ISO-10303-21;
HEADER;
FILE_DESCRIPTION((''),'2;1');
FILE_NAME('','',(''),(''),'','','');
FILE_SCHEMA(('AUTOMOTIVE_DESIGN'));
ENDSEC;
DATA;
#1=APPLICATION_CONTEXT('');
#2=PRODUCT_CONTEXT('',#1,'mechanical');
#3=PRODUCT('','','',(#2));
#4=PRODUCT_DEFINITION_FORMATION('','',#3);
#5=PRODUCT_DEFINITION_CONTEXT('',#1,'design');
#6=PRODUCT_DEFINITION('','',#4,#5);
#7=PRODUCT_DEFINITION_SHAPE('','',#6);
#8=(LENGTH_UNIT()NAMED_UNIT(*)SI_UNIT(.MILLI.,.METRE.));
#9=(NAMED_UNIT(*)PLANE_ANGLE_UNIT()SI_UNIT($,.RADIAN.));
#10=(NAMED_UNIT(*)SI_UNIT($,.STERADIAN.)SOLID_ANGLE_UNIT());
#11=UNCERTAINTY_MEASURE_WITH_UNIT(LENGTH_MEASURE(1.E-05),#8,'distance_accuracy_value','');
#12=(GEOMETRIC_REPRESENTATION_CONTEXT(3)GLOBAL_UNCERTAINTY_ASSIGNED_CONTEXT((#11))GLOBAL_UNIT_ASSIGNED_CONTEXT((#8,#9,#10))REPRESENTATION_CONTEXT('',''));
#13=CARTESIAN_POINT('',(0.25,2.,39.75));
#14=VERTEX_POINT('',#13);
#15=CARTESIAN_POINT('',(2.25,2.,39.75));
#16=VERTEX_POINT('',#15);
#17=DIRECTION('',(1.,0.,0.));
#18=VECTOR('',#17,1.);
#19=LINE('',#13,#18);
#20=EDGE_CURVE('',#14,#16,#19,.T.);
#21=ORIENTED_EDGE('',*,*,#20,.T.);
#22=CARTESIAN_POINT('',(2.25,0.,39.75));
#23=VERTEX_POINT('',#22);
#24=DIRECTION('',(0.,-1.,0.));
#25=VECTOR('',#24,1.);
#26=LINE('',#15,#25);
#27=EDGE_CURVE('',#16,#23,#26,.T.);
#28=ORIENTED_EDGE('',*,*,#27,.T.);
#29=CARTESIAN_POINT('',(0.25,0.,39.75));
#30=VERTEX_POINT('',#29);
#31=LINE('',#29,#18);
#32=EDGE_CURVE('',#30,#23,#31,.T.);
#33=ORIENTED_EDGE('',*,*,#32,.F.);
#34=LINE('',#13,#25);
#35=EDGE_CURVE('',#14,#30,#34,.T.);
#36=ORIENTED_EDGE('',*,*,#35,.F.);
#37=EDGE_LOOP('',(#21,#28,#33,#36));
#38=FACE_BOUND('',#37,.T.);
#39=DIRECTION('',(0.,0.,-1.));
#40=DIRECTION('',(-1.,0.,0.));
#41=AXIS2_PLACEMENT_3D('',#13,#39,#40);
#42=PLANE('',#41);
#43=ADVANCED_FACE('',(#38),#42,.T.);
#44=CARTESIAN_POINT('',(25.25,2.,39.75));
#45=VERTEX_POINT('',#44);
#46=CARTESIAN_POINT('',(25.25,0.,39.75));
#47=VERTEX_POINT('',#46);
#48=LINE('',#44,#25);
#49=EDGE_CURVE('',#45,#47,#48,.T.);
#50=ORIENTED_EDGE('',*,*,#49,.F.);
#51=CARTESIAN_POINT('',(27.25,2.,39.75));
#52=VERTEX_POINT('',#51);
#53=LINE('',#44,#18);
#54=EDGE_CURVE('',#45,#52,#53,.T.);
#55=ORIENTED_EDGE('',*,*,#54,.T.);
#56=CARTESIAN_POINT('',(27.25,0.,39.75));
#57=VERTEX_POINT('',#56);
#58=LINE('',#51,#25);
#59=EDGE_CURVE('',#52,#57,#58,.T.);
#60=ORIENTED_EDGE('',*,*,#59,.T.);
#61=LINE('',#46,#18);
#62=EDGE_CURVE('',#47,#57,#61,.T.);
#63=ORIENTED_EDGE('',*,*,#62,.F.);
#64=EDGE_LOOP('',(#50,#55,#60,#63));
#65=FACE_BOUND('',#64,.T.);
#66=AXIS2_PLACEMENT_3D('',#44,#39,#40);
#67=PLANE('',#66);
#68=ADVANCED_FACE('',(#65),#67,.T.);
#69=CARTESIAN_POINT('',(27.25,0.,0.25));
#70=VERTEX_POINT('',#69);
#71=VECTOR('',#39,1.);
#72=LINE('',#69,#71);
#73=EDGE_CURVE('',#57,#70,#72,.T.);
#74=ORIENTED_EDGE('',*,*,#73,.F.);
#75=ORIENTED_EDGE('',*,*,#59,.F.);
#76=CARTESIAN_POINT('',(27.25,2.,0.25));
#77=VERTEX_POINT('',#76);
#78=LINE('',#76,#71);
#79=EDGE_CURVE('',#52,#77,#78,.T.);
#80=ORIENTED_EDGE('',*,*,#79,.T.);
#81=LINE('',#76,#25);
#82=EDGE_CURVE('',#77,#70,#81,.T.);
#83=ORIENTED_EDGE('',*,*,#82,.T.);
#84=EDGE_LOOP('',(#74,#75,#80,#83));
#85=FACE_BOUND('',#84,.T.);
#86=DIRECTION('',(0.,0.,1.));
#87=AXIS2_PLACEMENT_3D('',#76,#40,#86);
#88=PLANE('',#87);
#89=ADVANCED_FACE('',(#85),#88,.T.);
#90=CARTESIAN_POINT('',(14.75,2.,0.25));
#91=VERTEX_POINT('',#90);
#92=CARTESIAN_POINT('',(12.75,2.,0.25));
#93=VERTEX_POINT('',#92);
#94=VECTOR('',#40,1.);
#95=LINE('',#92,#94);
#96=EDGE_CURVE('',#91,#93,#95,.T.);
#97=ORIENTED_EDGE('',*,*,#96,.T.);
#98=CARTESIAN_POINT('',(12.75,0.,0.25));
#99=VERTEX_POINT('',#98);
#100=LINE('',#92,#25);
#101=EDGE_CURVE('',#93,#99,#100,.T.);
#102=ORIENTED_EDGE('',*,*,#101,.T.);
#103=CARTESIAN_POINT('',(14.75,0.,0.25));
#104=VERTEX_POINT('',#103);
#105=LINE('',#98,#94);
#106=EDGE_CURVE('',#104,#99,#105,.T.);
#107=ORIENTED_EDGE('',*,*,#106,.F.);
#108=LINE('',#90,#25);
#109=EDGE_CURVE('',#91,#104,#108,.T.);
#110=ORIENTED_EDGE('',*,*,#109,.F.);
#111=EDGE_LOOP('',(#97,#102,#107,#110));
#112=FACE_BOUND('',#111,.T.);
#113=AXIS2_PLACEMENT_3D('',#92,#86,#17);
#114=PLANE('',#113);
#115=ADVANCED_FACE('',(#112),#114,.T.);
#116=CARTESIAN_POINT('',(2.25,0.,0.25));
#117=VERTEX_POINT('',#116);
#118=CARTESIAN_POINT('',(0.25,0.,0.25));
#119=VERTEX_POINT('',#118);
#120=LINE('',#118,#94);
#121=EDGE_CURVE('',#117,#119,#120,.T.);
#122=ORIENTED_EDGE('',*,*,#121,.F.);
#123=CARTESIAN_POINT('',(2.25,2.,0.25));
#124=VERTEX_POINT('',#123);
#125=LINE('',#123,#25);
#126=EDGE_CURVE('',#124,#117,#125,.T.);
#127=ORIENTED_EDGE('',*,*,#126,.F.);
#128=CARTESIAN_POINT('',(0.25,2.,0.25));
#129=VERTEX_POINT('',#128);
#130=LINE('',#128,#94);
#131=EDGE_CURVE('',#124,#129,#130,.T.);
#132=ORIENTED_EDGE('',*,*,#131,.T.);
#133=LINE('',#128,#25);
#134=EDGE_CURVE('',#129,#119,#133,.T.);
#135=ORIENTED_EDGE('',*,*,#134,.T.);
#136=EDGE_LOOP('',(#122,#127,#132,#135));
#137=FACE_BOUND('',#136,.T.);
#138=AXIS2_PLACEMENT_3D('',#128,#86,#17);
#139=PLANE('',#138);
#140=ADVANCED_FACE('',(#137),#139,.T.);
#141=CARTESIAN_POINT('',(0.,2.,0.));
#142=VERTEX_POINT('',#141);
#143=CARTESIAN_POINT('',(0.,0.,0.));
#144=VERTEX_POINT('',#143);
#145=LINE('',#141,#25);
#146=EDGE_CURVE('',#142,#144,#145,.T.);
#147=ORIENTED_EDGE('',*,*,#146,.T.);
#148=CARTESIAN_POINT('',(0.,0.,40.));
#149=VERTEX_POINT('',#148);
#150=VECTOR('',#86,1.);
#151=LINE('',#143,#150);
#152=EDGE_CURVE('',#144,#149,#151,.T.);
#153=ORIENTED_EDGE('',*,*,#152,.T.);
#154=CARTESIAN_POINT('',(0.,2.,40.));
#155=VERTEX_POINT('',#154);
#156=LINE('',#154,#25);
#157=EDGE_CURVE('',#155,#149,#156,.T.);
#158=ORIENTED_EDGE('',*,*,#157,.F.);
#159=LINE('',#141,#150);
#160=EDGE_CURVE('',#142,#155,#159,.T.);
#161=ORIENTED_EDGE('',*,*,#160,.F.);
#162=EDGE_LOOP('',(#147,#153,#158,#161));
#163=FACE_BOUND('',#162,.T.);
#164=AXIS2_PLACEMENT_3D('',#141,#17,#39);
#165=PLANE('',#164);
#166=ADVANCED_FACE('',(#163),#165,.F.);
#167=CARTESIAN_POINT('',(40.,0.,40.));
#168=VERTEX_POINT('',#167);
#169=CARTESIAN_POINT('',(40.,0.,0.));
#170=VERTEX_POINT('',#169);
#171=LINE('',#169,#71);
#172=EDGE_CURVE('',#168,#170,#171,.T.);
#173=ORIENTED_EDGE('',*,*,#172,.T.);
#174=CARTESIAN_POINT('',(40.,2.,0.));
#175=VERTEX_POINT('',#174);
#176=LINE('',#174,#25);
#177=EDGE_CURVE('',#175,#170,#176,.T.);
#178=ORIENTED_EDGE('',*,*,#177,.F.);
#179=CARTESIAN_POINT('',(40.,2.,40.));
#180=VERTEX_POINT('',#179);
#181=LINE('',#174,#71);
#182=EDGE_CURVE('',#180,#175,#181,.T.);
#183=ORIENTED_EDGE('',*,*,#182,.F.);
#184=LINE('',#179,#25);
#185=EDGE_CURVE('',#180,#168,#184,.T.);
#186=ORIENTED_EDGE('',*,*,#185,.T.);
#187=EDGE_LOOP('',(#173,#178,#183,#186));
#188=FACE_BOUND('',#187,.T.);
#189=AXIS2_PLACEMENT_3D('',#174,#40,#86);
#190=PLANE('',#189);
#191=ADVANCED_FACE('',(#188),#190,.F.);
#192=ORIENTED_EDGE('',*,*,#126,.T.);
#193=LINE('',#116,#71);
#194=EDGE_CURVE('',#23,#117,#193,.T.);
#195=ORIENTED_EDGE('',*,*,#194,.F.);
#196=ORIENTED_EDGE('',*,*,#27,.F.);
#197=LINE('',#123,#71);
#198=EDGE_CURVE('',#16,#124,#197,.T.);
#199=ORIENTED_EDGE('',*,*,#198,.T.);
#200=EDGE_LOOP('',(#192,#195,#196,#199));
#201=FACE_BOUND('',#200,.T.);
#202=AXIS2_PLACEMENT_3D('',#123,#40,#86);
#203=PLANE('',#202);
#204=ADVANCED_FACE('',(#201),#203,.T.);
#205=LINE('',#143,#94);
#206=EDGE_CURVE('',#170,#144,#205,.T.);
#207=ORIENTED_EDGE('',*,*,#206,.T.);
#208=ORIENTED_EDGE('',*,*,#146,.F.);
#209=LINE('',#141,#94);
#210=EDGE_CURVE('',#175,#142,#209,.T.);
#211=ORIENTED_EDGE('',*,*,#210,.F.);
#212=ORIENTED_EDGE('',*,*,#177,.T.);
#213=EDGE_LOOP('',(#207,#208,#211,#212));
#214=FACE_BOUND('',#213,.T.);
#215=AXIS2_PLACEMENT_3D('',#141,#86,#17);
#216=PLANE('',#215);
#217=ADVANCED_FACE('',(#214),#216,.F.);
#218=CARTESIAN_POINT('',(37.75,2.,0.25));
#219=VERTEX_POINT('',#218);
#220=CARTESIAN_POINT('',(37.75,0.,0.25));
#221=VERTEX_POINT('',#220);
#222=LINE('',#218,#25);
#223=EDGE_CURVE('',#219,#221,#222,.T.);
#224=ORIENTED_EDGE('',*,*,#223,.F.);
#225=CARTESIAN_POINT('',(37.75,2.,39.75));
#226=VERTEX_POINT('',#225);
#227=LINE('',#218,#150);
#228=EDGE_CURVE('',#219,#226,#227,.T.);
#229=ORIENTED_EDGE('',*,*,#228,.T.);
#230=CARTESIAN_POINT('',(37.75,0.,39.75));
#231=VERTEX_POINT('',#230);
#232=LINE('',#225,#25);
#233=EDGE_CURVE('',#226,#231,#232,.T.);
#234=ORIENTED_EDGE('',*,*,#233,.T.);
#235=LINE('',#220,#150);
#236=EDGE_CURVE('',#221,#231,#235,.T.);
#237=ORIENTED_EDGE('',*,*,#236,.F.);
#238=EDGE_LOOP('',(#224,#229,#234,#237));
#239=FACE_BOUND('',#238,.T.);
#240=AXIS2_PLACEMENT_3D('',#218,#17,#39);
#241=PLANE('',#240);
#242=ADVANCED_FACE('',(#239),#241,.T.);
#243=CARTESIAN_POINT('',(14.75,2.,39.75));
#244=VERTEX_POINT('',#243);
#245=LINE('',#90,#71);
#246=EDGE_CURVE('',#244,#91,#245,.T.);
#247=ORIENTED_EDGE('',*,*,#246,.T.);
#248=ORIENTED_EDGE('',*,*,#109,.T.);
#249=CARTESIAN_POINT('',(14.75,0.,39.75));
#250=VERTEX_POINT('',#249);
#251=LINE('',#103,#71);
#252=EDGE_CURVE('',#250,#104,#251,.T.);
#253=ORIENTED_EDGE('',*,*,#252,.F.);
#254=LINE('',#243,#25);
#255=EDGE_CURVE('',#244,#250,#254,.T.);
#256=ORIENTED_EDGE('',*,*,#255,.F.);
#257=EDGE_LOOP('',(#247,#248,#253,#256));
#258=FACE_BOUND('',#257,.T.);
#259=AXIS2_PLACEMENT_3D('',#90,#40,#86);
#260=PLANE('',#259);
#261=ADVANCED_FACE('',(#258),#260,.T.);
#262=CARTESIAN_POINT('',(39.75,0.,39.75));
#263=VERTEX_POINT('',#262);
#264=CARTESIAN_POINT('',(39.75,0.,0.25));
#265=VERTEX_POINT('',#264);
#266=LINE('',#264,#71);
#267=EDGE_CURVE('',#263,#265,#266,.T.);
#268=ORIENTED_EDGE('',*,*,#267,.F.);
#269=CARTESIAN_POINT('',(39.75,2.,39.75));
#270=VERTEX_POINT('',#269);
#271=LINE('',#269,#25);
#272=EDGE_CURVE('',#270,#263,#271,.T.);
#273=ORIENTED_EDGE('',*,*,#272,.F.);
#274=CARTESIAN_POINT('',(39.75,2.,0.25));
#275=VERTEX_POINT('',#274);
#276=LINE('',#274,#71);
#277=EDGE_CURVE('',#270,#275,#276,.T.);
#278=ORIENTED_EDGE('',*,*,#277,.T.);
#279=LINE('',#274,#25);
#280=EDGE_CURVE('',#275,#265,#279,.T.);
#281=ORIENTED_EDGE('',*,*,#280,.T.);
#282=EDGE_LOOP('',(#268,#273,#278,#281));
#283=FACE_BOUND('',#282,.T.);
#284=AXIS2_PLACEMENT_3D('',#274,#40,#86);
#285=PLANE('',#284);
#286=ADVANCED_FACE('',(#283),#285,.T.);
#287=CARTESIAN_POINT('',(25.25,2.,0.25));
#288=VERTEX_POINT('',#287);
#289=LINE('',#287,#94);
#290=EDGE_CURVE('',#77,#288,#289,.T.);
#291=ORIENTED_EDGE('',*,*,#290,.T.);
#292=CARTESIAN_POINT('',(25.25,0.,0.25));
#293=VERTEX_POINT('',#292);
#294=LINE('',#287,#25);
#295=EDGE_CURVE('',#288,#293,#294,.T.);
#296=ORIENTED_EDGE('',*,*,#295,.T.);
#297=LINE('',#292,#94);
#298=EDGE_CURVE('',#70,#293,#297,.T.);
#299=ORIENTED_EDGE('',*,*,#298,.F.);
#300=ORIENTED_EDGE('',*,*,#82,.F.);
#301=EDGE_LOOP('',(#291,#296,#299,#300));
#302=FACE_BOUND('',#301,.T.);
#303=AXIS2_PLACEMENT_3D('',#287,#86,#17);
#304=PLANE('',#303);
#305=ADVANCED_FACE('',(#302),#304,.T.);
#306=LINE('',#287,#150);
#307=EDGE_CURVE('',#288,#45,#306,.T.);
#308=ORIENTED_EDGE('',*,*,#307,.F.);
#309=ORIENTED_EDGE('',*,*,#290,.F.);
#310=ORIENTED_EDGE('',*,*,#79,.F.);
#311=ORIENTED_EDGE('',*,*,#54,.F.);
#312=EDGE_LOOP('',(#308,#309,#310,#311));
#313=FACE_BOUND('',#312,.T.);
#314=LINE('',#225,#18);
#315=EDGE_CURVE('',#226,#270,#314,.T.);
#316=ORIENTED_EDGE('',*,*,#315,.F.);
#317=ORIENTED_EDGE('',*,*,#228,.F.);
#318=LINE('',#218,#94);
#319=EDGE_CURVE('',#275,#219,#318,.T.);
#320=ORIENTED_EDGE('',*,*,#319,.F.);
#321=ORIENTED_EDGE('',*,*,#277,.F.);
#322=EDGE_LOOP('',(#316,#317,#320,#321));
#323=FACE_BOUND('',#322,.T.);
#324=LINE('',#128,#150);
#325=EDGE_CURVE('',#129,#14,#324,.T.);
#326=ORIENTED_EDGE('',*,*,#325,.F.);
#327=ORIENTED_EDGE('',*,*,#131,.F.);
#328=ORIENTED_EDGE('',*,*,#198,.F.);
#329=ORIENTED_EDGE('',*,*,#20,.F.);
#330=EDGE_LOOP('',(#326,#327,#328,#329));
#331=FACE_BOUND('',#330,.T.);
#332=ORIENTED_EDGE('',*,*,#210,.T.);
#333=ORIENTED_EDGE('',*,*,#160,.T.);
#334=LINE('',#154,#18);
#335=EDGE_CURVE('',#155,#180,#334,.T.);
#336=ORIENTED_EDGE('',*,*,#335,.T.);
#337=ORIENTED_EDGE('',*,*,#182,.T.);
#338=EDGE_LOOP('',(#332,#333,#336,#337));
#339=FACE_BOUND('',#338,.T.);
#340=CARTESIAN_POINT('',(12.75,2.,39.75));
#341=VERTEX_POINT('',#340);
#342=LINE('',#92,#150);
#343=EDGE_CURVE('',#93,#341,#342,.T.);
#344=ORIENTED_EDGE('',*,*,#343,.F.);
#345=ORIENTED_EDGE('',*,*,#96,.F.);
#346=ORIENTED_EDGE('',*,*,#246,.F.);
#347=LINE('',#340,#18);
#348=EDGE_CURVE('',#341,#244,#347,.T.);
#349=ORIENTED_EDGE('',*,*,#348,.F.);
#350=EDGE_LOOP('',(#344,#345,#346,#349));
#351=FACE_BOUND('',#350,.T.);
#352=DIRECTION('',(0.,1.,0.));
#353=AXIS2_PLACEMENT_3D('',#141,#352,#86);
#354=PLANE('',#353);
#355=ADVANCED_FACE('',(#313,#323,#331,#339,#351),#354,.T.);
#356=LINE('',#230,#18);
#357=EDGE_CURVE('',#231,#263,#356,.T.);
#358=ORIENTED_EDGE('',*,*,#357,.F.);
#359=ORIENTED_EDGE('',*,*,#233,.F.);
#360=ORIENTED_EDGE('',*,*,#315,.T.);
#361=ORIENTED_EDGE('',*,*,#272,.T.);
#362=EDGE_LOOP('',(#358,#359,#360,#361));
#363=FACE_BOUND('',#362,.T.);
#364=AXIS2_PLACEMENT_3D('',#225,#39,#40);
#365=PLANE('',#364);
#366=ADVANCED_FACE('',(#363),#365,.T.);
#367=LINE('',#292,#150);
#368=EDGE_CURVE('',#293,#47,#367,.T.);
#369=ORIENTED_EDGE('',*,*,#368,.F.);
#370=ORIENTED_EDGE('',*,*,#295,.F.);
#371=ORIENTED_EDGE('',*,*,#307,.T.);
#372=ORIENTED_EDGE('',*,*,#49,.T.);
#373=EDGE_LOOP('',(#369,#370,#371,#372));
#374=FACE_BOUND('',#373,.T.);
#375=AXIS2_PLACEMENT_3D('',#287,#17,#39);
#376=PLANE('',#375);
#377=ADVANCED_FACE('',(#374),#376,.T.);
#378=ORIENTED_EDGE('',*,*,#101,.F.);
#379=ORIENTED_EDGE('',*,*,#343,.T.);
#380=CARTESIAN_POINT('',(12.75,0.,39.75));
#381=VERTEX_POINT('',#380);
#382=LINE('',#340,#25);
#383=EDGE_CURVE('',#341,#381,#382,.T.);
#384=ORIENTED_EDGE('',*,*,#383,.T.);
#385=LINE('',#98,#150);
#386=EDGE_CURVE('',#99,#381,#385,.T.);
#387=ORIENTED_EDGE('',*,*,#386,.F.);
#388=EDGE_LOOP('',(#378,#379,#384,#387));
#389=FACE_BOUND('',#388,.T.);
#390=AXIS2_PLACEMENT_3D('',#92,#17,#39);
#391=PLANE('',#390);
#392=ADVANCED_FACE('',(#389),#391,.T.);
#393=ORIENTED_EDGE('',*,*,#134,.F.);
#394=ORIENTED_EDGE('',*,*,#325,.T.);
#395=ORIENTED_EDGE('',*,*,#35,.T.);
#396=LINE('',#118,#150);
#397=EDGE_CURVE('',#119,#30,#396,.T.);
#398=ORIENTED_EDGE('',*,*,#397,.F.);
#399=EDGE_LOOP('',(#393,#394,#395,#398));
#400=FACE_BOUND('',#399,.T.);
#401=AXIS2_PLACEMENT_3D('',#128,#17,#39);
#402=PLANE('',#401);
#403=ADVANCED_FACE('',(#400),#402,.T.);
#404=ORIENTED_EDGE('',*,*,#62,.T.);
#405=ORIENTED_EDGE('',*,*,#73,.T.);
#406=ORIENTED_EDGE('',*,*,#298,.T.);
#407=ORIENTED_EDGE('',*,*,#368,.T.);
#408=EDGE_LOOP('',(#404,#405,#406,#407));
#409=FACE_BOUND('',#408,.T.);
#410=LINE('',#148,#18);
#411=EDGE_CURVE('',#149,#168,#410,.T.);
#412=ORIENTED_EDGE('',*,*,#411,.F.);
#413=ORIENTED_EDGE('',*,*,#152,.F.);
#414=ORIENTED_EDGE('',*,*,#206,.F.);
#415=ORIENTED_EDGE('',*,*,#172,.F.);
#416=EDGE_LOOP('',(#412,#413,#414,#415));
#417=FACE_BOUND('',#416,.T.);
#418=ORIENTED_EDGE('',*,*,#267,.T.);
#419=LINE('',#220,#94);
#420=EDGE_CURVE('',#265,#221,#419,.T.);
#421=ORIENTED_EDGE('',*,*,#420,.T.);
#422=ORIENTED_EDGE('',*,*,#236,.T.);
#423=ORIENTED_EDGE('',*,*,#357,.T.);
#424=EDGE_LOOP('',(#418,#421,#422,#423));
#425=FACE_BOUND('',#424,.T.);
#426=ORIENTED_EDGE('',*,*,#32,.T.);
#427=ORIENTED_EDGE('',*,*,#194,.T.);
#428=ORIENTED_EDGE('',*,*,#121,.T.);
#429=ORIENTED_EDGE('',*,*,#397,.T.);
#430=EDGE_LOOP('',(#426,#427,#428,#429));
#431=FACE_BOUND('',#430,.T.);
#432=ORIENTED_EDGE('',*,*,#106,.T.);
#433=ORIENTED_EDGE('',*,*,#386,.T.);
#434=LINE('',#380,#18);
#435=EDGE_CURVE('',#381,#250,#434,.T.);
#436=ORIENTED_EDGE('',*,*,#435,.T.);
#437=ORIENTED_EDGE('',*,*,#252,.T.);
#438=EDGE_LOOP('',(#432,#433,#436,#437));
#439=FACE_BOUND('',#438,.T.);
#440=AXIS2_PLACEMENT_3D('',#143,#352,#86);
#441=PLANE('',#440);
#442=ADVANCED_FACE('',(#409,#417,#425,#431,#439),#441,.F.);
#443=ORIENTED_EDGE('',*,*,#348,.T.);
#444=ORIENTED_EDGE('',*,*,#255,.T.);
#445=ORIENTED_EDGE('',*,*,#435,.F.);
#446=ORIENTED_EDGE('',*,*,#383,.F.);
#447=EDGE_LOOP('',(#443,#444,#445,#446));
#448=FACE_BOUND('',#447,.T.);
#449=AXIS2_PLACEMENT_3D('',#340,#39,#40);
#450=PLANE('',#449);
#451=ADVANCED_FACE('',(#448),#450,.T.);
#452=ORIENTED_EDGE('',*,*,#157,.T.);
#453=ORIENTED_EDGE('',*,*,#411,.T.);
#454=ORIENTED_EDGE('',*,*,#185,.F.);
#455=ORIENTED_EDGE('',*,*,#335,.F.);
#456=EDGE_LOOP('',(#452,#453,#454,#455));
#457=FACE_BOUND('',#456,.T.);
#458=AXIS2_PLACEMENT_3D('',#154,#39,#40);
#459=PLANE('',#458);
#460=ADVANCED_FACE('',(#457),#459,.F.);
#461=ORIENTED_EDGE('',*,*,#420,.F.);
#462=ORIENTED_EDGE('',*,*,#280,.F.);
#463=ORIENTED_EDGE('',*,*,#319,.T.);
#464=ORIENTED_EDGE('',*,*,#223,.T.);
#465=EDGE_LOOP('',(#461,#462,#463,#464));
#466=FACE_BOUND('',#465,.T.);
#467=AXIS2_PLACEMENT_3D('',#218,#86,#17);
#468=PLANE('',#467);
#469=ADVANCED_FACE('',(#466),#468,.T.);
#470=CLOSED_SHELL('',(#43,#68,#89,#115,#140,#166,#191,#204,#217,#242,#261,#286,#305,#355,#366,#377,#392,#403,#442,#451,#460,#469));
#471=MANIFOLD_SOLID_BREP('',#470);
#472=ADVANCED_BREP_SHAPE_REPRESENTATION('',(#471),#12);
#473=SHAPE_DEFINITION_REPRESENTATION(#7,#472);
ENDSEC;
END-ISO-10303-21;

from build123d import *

# Parameters (mm, degrees)
SKETCH1_W           = 40
SKETCH1_H           = 40
SKETCH1_W_2         = 2
SKETCH1_H_2         = 39.5
BOSS_EXTRUDE4_DEPTH = 2


with BuildPart() as part:
    # Sketch1 → Boss-Extrude4 (new body)
    with BuildSketch(Plane(origin=(0, 0, 0), x_dir=(1, 0, 0), z_dir=(0, 1, 0))):
        with Locations((20, -20)):
            Rectangle(SKETCH1_W, SKETCH1_H)
        with Locations((13.75, -20)):
            Rectangle(SKETCH1_W_2, SKETCH1_H_2, mode=Mode.SUBTRACT)
        with Locations((1.25, -20)):
            Rectangle(SKETCH1_W_2, SKETCH1_H_2, mode=Mode.SUBTRACT)
        with Locations((26.25, -20)):
            Rectangle(SKETCH1_W_2, SKETCH1_H_2, mode=Mode.SUBTRACT)
        with Locations((38.75, -20)):
            Rectangle(SKETCH1_W_2, SKETCH1_H_2, mode=Mode.SUBTRACT)
    extrude(amount=BOSS_EXTRUDE4_DEPTH)


solid = part.part
